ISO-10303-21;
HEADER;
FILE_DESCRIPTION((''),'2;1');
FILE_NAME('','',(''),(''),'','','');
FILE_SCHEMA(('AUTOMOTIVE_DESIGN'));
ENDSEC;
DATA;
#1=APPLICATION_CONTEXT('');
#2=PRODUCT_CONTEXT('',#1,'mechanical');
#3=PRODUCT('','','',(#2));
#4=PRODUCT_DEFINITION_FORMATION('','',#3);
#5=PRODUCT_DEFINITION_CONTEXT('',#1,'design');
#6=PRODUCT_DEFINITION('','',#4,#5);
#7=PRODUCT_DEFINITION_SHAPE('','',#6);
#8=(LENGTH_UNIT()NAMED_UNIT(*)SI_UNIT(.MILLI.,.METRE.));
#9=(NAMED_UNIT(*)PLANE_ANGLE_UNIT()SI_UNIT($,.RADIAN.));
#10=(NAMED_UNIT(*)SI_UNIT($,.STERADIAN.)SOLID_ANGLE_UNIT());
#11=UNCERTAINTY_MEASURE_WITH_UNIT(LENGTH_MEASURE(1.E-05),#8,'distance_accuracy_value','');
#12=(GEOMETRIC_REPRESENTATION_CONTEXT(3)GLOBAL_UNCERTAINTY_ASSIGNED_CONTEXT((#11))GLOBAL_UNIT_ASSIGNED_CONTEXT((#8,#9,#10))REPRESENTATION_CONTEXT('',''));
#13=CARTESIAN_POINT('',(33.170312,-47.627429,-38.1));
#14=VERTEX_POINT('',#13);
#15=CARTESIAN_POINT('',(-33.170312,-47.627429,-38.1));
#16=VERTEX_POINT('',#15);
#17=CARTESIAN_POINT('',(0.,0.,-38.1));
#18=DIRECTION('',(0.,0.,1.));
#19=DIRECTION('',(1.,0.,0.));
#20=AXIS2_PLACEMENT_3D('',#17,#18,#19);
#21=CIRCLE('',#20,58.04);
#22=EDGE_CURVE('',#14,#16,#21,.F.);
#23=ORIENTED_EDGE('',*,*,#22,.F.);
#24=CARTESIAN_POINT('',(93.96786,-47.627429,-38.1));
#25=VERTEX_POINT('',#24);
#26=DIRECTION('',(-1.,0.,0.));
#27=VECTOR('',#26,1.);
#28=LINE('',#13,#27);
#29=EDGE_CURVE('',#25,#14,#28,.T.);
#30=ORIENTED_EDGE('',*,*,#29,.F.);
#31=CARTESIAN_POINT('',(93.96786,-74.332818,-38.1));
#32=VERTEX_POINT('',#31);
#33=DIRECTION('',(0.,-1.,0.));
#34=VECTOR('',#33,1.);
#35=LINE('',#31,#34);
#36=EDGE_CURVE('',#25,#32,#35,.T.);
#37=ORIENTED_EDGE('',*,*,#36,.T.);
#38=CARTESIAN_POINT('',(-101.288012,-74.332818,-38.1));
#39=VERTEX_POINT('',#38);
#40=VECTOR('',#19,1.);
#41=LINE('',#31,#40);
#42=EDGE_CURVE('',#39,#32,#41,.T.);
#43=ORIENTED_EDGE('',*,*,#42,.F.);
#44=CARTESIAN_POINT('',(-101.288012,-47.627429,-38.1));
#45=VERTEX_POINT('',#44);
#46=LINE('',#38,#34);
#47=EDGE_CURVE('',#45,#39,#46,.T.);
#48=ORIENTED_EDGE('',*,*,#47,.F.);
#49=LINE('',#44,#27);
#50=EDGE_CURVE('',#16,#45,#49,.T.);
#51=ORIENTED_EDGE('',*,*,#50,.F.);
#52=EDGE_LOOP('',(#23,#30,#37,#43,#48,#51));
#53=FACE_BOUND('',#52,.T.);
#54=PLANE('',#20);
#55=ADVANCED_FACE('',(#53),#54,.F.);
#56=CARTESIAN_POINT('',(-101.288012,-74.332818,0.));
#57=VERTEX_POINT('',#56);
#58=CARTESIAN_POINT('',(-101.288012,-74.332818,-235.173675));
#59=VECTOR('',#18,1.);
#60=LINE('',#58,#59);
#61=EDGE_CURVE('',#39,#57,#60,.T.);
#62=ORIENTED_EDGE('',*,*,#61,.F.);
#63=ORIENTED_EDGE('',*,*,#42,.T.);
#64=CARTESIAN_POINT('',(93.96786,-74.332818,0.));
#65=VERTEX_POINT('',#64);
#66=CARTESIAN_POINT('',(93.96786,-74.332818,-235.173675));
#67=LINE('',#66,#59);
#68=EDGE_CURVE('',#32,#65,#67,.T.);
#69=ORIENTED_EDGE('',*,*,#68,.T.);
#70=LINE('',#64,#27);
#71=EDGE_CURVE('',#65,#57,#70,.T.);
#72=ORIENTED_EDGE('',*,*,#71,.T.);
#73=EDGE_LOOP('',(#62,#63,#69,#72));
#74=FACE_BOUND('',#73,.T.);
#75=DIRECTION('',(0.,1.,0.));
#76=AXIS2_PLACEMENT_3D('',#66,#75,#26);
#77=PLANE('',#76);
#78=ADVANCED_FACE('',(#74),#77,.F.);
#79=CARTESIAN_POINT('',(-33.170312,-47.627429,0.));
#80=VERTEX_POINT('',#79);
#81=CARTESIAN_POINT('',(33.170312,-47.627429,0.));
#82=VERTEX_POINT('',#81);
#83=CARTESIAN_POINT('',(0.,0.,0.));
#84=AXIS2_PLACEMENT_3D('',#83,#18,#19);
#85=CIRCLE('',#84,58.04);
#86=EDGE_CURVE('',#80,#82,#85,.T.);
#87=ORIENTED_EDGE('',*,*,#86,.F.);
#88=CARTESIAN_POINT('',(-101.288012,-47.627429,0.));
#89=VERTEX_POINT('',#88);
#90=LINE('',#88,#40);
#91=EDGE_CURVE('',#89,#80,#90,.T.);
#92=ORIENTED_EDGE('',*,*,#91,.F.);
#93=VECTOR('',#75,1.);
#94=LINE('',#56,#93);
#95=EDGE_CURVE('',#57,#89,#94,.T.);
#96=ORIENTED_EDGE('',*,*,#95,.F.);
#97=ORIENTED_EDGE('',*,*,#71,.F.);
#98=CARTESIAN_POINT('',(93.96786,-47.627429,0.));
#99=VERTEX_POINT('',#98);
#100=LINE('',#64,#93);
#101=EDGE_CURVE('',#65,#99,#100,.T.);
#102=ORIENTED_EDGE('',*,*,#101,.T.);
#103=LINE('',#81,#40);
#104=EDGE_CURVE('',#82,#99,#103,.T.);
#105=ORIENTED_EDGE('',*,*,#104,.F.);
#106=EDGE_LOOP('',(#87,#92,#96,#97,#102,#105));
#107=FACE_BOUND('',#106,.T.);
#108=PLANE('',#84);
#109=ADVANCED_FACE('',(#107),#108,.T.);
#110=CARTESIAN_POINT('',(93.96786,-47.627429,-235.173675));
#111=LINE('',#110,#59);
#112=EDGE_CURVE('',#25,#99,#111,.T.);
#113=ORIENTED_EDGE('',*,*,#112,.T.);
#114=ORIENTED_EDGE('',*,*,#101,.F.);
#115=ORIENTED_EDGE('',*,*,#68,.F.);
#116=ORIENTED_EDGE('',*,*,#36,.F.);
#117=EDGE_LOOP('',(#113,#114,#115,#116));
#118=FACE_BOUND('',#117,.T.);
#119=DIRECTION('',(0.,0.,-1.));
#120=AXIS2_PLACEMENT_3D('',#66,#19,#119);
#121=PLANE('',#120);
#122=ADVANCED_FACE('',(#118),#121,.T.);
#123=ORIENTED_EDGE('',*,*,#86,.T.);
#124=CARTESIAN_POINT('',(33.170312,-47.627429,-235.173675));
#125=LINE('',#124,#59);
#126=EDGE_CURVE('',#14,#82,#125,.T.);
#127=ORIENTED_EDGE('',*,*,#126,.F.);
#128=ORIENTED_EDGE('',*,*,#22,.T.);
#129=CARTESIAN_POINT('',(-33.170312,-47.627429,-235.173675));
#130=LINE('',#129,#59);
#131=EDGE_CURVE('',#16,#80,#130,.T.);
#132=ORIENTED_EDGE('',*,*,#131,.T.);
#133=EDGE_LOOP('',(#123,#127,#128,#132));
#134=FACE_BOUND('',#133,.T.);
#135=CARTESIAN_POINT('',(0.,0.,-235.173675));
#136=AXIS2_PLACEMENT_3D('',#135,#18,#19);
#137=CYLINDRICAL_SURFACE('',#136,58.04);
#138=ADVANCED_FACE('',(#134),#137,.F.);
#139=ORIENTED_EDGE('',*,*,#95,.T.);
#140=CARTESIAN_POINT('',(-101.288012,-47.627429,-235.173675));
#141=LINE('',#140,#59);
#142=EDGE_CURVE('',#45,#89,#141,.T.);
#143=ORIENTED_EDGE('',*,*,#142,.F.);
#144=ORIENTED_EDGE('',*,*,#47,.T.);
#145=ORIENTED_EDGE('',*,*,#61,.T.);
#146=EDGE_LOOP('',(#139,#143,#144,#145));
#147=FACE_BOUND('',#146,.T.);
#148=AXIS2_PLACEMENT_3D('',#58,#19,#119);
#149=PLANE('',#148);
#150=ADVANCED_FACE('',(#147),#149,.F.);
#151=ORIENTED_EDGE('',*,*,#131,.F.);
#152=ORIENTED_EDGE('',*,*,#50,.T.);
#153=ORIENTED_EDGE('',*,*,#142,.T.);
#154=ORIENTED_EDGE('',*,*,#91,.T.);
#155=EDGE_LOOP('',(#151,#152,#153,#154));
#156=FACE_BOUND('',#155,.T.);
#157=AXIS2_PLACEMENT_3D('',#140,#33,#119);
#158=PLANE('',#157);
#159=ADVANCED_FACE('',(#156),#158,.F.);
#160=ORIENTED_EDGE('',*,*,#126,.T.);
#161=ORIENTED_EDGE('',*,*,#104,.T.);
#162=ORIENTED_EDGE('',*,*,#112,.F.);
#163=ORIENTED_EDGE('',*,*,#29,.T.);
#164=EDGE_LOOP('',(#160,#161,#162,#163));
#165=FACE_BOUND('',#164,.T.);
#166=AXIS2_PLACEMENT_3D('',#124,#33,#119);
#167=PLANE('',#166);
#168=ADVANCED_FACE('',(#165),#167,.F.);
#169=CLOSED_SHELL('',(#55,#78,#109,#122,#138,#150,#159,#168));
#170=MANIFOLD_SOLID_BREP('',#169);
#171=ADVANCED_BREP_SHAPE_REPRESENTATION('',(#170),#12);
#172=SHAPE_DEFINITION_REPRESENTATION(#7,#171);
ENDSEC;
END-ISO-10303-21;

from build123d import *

# Parameters (mm, degrees)
BOSS_EXTRUDE1_DEPTH = 38.1


with BuildPart() as part:
    # Sketch1 → Boss-Extrude1 (new body)
    with BuildSketch(Plane.XY):
        with BuildLine():
            Line((33.170312314, -47.627428872), (93.967860133, -47.627428872))
            Line((93.967860133, -47.627428872), (93.967860133, -74.332818087))
            Line((93.967860133, -74.332818087), (-101.288011779, -74.332818087))
            Line((-101.288011779, -74.332818087), (-101.288011779, -47.627428872))
            Line((-101.288011779, -47.627428872), (-33.170312314, -47.627428872))
            ThreePointArc((-33.170312314, -47.627428872), (0, -58.04), (33.170312314, -47.627428872))
        make_face()
    extrude(amount=-BOSS_EXTRUDE1_DEPTH)


solid = part.part
